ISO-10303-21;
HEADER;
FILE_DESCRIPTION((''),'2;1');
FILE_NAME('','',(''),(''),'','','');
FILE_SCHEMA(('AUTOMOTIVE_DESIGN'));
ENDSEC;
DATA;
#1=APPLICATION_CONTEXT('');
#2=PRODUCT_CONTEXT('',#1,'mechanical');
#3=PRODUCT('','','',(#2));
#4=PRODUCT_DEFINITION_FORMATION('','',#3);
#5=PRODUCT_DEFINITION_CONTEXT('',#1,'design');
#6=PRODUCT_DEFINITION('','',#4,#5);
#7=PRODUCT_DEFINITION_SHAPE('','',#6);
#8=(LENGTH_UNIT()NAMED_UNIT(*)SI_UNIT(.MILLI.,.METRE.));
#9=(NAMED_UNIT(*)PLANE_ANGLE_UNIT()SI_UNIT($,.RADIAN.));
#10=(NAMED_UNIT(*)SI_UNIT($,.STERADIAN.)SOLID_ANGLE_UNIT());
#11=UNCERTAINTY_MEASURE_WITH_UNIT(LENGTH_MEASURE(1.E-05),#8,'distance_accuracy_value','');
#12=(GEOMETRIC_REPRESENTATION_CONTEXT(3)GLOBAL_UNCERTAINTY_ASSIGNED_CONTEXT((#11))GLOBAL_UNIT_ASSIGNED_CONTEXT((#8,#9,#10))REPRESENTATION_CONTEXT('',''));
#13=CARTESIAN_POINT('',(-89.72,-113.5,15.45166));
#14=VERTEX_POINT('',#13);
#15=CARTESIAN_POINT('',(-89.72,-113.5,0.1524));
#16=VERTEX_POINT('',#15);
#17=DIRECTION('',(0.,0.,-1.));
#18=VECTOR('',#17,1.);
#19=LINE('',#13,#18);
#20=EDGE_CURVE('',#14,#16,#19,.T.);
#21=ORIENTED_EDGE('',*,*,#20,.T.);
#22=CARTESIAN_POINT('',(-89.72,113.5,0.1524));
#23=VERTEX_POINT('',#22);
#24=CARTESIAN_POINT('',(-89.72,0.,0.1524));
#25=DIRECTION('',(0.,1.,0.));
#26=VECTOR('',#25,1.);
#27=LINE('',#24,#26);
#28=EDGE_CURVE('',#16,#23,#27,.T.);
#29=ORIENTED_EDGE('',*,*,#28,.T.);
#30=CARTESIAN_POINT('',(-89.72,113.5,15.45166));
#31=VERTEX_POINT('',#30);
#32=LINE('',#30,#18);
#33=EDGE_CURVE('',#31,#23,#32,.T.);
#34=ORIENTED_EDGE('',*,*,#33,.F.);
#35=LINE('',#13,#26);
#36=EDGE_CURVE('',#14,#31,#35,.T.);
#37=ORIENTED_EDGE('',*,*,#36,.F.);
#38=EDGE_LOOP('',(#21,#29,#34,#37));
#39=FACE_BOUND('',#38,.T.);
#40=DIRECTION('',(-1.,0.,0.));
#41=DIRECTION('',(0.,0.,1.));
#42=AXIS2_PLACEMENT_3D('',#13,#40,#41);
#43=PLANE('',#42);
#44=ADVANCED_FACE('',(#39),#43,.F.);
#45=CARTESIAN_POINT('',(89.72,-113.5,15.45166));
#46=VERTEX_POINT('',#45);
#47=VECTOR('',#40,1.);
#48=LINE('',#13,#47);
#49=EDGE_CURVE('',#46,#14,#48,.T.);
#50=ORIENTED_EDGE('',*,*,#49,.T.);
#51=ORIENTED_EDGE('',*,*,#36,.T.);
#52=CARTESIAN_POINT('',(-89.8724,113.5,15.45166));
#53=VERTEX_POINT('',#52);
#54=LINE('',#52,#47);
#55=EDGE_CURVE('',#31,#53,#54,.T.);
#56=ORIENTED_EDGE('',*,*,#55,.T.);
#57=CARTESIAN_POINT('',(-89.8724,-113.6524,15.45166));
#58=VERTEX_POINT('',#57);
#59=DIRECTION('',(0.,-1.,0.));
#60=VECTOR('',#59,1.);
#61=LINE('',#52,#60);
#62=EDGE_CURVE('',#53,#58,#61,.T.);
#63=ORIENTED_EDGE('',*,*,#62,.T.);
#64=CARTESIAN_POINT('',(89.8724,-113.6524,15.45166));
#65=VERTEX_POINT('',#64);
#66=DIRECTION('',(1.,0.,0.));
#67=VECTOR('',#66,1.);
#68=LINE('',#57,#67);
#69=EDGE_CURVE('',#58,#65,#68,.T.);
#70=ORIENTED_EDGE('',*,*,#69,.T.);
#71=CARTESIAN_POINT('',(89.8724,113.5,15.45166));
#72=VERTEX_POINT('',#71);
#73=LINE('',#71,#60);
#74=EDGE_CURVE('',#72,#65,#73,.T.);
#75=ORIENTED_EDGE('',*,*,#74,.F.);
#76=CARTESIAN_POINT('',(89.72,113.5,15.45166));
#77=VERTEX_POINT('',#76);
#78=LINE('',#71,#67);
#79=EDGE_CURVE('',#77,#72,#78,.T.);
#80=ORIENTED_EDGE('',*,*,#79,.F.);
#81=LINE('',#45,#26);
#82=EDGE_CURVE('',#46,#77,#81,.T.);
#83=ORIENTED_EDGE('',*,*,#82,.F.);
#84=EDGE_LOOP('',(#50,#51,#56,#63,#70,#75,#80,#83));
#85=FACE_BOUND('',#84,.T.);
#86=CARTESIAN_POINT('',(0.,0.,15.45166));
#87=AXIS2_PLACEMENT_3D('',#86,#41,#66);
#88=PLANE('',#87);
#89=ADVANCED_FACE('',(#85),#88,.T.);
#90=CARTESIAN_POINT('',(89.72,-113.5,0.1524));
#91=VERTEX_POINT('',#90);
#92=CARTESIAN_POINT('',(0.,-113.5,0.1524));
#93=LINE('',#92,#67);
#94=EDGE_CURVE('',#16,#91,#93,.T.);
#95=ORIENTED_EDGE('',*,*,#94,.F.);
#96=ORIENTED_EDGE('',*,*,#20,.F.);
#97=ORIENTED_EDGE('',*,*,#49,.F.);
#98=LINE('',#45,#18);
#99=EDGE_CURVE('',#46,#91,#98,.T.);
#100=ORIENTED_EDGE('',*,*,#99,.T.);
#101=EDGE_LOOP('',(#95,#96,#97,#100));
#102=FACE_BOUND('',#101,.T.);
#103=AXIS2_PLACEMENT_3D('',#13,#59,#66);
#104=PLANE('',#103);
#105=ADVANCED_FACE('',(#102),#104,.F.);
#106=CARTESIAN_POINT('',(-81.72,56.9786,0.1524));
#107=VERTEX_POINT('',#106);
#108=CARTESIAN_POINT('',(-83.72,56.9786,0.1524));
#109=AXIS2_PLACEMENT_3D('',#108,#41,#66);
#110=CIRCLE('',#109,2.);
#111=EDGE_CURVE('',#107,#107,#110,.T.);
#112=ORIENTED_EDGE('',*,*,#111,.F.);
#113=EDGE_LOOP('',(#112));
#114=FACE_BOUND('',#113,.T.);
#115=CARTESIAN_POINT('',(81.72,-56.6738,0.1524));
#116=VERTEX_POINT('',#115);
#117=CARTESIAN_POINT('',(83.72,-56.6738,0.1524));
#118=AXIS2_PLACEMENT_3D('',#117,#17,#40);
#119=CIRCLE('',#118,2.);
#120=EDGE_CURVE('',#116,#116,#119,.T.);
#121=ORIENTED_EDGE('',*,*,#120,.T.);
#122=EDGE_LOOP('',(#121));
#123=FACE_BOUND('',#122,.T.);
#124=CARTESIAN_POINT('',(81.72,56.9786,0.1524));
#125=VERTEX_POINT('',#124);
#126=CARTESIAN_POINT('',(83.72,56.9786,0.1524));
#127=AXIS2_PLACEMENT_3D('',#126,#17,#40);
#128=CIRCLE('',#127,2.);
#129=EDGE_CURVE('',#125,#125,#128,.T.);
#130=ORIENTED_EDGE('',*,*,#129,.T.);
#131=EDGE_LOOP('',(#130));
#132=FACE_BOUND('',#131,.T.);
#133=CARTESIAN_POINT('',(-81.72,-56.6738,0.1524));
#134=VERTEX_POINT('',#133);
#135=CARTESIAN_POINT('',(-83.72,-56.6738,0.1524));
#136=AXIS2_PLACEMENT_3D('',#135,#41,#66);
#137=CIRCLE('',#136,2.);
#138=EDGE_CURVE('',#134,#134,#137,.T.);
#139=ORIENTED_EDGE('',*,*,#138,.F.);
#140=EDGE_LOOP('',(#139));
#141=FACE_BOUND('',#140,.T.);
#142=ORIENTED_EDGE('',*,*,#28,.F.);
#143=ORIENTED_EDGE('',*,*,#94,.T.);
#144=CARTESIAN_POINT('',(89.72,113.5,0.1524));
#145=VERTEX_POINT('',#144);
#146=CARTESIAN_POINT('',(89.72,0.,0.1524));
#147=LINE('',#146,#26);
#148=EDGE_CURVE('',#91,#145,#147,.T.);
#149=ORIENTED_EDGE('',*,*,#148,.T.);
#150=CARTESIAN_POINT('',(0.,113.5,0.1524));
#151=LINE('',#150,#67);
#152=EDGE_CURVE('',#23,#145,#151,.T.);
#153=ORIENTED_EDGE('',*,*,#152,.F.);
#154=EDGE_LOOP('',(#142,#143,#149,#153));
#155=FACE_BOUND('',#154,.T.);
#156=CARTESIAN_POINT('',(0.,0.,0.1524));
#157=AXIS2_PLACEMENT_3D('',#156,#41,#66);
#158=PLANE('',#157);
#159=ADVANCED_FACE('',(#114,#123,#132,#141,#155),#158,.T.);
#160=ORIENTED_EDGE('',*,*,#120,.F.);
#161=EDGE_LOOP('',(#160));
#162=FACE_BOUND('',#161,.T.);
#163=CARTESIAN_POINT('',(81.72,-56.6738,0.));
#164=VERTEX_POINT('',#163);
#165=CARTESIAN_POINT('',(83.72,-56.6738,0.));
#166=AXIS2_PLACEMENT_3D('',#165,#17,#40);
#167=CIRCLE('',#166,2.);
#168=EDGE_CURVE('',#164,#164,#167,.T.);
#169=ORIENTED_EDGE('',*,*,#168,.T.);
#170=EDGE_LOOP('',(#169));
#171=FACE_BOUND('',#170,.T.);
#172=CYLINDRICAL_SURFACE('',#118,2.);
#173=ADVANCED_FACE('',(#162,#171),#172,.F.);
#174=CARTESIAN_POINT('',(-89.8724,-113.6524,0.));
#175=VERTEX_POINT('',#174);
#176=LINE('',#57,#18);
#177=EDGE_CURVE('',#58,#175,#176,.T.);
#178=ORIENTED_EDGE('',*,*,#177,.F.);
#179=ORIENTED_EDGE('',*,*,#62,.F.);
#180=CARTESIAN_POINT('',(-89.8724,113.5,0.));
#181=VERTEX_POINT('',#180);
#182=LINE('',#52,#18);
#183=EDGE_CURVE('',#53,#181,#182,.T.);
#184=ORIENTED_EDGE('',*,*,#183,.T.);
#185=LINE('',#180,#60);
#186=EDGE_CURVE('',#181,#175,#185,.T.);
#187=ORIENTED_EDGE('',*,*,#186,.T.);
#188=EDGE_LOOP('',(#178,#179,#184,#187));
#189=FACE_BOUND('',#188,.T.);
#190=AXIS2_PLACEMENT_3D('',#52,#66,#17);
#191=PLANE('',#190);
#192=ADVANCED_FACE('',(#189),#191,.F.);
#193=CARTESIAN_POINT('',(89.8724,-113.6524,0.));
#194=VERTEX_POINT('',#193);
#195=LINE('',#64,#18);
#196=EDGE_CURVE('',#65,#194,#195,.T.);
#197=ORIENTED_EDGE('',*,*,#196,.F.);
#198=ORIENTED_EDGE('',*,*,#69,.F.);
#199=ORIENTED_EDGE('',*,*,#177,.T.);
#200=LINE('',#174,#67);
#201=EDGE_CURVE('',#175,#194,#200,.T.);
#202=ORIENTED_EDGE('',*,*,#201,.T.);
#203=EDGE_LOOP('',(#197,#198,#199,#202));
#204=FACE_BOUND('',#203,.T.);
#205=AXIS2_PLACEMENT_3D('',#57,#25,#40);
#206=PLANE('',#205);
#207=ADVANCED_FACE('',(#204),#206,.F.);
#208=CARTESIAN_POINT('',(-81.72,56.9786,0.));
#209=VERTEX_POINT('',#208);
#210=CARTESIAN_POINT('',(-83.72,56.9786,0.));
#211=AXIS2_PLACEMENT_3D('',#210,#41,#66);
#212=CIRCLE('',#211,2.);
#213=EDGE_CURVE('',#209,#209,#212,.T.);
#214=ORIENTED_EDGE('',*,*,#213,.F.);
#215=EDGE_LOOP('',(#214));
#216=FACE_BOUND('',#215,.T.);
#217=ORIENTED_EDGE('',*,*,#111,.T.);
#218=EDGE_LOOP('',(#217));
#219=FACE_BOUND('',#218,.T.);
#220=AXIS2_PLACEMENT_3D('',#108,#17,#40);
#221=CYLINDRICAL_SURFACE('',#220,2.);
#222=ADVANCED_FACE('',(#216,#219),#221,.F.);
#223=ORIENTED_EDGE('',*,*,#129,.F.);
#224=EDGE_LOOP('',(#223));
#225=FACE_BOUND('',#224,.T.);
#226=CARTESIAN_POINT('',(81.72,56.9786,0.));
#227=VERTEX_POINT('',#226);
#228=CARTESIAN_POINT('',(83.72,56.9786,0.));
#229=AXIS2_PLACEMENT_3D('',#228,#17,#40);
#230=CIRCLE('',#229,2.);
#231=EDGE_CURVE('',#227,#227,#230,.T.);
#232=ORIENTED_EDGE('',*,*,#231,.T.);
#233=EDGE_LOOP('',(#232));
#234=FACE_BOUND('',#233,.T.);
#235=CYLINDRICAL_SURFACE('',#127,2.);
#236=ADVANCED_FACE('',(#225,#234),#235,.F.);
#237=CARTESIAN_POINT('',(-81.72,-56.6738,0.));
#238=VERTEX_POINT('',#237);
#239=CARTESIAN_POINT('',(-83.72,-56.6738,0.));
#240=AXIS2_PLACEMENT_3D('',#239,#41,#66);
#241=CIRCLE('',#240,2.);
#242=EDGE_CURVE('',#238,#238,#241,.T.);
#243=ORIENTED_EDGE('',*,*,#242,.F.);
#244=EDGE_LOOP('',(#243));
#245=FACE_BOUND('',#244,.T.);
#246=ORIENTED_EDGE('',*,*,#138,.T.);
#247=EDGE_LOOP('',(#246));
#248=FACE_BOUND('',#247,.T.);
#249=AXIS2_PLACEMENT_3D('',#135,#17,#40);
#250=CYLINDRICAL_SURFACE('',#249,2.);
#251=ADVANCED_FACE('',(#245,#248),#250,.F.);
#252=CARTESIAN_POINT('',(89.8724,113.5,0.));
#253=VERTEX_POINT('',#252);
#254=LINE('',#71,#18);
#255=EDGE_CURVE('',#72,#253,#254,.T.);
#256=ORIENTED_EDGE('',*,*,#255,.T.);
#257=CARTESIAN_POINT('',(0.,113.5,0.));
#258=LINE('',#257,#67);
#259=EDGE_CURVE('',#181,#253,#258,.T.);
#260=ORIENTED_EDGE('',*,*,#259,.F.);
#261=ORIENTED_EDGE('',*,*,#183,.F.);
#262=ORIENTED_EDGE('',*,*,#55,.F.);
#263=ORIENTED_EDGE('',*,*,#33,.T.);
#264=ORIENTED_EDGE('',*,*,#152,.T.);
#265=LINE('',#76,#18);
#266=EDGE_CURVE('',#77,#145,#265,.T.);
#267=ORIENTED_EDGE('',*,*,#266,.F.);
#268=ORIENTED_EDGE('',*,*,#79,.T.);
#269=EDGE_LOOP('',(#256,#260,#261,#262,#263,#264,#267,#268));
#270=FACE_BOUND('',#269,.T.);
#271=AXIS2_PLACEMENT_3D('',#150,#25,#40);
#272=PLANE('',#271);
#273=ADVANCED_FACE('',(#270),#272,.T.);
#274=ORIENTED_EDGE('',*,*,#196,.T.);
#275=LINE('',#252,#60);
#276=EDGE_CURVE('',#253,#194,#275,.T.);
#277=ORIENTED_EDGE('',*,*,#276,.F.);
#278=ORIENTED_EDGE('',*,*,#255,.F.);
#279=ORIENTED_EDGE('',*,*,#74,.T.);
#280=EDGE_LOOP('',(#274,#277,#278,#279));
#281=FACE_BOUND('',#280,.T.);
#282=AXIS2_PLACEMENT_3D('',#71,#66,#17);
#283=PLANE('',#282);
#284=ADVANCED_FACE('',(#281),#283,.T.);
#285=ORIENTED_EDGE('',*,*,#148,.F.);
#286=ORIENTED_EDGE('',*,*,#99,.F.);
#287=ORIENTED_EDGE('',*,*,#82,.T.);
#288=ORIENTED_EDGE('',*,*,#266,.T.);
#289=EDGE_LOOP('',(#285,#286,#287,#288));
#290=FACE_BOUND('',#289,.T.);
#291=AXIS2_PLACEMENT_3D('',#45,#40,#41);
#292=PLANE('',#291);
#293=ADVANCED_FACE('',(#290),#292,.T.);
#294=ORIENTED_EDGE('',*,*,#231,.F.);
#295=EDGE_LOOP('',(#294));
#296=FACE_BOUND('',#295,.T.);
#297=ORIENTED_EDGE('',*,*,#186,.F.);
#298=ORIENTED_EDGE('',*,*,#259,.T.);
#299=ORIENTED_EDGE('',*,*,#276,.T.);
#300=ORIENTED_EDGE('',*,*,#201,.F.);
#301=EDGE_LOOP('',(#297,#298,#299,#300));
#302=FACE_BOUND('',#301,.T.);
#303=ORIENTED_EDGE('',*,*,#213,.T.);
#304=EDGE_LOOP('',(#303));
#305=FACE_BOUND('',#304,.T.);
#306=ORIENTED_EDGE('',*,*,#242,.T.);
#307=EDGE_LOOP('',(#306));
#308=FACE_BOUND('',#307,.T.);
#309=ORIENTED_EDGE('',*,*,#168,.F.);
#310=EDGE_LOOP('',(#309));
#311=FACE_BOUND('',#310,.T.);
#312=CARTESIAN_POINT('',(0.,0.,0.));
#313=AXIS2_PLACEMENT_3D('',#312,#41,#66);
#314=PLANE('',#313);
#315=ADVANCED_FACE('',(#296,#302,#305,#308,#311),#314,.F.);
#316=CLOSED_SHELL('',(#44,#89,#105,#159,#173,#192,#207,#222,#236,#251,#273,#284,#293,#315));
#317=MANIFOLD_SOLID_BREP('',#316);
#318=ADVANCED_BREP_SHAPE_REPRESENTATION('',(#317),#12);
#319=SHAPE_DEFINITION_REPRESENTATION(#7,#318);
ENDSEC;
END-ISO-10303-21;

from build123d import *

# Parameters (mm, degrees)
SKETCH1_W            = 89.72
SKETCH1_H            = 227
SKETCH1_R            = 2
HEAT_EXCHANGER_DEPTH = 0.1524
CONVECTION_FIN_DEPTH = 15.45166


with BuildPart() as part:
    # Sketch1 → Heat Exchanger (new body)
    with BuildSketch(Plane.XY):
        with Locations((-44.86, 0)):
            Rectangle(SKETCH1_W, SKETCH1_H)
        with Locations((-83.72, -56.6738)):
            Circle(SKETCH1_R, mode=Mode.SUBTRACT)
        with Locations((-83.72, 56.9786)):
            Circle(SKETCH1_R, mode=Mode.SUBTRACT)
    heat_exchanger = extrude(amount=HEAT_EXCHANGER_DEPTH)

    # Sketch3 → Convection Fin (add)
    with BuildSketch(Plane.XY):
        Polygon((0, -113.6524), (0, -113.5), (-89.72, -113.5), (-89.72, 113.5), (-89.8724, 113.5), (-89.8724, -113.6524), align=None)
    convection_fin = extrude(amount=CONVECTION_FIN_DEPTH)

    # Mirror1: Heat Exchanger, Convection Fin across plane
    add(heat_exchanger.mirror(Plane(origin=(0, 0, 0), x_dir=(0, 0, 1), z_dir=(1, 0, 0))))
    add(convection_fin.mirror(Plane(origin=(0, 0, 0), x_dir=(0, 0, 1), z_dir=(1, 0, 0))))


solid = part.part
